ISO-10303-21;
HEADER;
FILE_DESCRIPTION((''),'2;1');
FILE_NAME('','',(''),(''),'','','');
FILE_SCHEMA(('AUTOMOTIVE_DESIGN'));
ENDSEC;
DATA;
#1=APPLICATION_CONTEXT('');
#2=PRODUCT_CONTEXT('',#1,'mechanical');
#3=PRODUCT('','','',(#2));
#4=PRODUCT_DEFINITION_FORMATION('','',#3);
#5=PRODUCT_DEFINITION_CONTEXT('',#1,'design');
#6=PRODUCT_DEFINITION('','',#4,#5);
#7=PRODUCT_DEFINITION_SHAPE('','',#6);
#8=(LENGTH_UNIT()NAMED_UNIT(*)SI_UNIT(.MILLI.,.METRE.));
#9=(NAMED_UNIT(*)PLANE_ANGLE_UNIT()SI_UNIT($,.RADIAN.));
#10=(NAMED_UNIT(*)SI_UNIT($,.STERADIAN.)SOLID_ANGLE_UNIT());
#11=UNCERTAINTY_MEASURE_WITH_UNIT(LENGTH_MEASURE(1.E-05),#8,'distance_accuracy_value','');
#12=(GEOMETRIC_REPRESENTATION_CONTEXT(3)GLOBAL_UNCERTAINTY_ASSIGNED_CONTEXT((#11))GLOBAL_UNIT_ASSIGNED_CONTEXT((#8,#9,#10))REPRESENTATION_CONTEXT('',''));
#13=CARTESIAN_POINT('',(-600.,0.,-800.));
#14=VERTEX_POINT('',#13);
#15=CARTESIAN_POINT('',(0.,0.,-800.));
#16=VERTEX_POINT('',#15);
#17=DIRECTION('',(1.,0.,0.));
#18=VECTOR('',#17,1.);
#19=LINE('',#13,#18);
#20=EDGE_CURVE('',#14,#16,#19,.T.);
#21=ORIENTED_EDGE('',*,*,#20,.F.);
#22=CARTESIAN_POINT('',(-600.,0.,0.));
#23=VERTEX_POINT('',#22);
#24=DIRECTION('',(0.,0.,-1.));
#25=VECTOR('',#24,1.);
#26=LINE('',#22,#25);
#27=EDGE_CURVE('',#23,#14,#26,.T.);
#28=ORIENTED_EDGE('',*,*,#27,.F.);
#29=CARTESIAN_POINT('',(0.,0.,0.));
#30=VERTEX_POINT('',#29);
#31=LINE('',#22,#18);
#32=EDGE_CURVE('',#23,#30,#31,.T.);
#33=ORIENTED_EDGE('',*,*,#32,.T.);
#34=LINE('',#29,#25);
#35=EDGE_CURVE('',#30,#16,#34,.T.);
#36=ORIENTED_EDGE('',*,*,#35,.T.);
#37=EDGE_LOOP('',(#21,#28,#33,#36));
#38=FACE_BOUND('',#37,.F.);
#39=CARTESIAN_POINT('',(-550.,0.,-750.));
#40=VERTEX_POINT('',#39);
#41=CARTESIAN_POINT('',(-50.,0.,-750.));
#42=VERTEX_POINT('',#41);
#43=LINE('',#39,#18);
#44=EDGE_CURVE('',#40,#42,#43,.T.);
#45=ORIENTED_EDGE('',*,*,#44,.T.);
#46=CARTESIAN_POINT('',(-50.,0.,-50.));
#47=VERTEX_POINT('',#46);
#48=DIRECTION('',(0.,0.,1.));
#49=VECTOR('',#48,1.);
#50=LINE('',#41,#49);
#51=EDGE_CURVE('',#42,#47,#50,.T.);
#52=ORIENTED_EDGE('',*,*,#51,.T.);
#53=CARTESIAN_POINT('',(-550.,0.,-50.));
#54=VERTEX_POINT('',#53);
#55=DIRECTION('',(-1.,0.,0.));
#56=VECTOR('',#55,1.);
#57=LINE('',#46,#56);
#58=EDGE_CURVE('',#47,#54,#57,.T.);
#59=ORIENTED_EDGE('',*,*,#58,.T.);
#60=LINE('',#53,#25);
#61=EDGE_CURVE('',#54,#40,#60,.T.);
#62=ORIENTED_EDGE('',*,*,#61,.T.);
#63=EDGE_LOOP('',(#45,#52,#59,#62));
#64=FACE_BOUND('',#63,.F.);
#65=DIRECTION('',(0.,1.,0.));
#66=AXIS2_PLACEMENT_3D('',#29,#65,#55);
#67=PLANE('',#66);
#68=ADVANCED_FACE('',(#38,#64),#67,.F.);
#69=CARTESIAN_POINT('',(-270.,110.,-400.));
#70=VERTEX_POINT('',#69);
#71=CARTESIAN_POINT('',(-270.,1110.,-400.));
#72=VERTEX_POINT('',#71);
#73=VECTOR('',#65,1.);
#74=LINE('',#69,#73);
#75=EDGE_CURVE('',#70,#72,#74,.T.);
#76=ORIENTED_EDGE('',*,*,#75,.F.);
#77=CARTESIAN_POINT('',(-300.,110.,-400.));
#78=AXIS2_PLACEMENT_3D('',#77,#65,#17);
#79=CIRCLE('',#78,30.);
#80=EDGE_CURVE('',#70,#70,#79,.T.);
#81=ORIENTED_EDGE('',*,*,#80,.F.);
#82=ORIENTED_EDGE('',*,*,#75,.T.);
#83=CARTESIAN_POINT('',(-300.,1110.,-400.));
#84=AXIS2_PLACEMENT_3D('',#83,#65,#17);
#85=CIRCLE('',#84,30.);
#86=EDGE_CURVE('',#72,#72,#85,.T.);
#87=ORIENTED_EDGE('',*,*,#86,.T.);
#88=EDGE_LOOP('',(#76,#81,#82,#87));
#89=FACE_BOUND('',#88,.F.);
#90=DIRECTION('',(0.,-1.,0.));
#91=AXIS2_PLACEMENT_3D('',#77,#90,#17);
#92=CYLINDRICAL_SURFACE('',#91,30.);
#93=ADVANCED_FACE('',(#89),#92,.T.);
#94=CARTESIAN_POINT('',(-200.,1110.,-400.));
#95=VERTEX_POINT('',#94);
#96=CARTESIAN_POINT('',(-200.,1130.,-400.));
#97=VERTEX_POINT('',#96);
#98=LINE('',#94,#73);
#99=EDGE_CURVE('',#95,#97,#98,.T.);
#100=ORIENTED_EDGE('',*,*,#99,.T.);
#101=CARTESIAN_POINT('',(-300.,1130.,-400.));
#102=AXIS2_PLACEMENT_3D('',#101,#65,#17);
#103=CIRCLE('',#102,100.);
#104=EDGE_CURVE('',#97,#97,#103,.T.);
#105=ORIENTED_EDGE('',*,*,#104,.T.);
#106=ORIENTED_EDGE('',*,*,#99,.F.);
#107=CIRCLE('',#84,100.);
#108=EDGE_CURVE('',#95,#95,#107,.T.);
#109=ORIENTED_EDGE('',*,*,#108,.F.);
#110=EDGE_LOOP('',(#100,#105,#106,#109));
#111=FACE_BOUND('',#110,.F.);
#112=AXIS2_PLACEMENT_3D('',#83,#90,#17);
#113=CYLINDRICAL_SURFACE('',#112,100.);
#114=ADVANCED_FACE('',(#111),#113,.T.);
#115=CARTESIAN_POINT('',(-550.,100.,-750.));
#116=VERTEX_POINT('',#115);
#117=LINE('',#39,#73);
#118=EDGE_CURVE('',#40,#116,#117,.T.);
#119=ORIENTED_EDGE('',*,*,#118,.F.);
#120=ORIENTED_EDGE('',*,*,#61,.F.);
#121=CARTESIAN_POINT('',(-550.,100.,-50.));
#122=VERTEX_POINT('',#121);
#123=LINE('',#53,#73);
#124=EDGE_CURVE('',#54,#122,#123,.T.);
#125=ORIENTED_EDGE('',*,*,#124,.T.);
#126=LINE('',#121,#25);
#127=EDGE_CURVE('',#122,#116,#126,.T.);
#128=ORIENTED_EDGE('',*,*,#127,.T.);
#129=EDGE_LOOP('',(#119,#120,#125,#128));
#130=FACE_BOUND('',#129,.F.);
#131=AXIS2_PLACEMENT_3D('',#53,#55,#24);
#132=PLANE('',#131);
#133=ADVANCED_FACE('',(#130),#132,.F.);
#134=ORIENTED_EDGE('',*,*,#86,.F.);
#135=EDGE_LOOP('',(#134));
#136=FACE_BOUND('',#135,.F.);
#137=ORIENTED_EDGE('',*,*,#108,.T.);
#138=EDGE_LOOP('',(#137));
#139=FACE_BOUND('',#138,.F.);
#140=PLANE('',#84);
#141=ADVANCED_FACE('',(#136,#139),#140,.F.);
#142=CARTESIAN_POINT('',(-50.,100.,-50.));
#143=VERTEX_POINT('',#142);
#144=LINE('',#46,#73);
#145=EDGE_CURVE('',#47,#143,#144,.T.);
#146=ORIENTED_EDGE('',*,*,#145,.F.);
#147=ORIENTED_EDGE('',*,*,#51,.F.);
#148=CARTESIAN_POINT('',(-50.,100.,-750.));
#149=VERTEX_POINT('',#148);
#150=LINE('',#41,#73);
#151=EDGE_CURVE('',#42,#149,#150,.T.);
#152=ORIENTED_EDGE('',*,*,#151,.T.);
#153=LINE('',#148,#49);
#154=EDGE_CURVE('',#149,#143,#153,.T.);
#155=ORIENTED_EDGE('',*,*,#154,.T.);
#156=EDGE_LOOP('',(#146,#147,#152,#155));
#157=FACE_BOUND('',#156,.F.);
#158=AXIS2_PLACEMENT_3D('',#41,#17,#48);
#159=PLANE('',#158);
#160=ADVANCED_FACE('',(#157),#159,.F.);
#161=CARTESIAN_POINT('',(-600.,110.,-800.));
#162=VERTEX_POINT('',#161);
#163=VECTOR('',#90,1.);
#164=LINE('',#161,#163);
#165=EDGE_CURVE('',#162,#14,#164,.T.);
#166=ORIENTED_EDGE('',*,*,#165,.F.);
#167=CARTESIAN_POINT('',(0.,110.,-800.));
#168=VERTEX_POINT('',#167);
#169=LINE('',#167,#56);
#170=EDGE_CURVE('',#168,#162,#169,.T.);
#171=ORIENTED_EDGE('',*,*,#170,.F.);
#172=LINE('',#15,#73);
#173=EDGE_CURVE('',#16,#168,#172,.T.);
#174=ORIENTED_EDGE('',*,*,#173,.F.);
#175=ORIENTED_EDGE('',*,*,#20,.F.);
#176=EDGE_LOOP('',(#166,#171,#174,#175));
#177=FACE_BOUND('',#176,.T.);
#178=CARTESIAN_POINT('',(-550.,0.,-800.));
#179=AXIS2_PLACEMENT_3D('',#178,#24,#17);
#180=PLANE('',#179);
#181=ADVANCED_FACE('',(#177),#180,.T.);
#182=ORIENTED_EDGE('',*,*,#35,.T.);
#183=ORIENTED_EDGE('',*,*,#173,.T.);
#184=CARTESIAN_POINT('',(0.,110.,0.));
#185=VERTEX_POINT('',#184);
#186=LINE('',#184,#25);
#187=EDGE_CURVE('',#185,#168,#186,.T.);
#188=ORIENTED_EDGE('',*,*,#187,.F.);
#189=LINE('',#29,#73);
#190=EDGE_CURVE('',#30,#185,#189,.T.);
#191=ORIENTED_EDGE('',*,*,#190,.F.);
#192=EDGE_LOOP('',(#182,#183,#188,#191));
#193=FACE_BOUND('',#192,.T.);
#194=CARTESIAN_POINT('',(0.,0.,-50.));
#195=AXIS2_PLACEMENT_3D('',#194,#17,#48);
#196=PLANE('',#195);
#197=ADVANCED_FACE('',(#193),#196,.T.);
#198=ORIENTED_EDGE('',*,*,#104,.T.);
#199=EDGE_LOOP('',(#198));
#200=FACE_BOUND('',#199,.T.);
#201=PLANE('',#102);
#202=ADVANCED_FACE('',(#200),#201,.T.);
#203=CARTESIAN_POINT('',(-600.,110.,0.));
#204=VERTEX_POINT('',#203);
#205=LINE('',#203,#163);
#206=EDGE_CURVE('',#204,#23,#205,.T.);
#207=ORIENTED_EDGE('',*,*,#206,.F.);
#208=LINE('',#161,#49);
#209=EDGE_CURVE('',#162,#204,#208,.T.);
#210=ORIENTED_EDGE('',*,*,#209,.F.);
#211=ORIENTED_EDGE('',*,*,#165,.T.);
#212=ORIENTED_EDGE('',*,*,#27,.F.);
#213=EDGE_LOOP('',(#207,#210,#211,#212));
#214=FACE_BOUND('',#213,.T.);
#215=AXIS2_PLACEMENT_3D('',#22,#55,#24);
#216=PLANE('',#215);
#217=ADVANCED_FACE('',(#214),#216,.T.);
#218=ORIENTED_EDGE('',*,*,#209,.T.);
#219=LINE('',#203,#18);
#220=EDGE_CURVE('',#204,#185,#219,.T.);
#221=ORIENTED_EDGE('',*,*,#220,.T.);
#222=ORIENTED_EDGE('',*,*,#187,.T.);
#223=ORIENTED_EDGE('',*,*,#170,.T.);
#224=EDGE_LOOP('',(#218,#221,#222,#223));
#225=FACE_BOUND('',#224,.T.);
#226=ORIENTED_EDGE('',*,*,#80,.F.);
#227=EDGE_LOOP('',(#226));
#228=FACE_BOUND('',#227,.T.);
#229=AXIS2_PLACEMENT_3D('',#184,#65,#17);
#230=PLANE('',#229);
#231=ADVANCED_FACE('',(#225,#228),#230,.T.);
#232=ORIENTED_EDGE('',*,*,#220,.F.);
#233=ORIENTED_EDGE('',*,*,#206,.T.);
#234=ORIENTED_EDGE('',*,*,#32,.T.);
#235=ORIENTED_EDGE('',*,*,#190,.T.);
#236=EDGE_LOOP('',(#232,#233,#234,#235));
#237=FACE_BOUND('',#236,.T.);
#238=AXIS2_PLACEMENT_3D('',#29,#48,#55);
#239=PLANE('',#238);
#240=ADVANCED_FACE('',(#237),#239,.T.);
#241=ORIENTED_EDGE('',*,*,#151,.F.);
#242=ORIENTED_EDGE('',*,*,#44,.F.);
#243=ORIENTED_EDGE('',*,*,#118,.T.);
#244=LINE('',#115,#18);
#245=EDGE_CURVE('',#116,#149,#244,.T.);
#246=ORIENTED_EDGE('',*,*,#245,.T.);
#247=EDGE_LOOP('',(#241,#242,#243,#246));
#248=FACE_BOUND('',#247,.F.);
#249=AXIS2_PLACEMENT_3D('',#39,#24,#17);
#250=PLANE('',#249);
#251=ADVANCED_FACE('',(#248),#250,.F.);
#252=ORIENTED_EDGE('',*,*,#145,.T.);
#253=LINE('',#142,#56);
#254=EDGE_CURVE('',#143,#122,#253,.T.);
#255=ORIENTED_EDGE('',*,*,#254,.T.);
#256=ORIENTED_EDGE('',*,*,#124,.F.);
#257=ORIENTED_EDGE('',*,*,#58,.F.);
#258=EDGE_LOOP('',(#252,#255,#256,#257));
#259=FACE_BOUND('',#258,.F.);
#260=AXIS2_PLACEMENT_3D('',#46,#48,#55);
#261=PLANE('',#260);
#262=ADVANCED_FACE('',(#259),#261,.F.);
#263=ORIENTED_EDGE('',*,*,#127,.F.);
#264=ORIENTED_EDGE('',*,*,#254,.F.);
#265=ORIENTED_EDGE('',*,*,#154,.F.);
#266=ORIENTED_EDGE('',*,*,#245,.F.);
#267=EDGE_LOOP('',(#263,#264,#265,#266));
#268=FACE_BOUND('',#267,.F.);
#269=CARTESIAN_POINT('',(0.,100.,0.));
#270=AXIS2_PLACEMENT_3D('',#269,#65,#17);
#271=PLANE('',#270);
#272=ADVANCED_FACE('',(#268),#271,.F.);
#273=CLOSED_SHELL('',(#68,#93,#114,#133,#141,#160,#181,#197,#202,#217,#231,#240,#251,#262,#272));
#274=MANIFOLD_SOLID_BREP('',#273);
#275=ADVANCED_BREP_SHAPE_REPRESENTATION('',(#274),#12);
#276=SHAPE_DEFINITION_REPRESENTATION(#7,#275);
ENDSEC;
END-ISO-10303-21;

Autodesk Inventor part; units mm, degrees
ref_plane "YZ Plane" through (0, 0, 0) normal (1, 0, 0) x (0, 1, 0)
ref_plane "XZ Plane" through (0, 0, 0) normal (0, 1, 0) x (-1, 0, 0)
ref_plane "XY Plane" through (0, 0, 0) normal (0, 0, 1) x (1, 0, 0)
sketch "Sketch1" plane through (0, 0, 0) normal (0, 1, 0) x (-1, 0, 0)
  line L0 (0, 0) -> (600, 0)
  line L1 (600, 0) -> (600, -800)
  line L2 (600, -800) -> (0, -800)
  line L3 (0, -800) -> (0, 0)
  line L4 (0, 0) -> (50, 0)
  line L5 (50, 0) -> (50, -50)
  line L6 (50, -50) -> (0, -50)
  line L7 (0, -50) -> (0, 0)
  line L8 (600, -800) -> (550, -800)
  line L9 (550, -800) -> (550, -750)
  line L10 (550, -750) -> (600, -750)
  line L11 (600, -750) -> (600, -800)
  line L12 (50, -50) -> (550, -50)
  line L13 (550, -50) -> (550, -750)
  line L14 (550, -750) -> (50, -750)
  line L15 (50, -750) -> (50, -50)
  dimension "d0" = 800
  dimension "d1" = 600
  dimension "d2" = 50
  dimension "d3" = 50
  dimension "d4" = 50
  dimension "d5" = 50
extrude "Extrusion1" add sketch "Sketch1" along normal blind 100 contours L0 L5 L6 L3 | L0 L1 L10 L13 L12 L5 | L6 L15 L14 L9 L2 L3 | L1 L2 L9 L10
sketch "Sketch2" plane through (0, 100, 0) normal (0, 1, 0) x (1, 0, 0)
  line L0 (-600, 800) -> (-600, 0) projected
  line L1 (0, 0) -> (0, 800) projected
  line L2 (-600, 0) -> (0, 0)
  line L3 (0, 0) -> (0, 800)
  line L4 (0, 800) -> (-600, 800)
  line L5 (-600, 800) -> (-600, 0)
  circle A0 centre (-300, 400) radius 25
  dimension "d8" = 50
extrude "Extrusion2" add sketch "Sketch2" along normal blind 10 contours L4 L1 L2 L0 | A0
sketch "Sketch3" plane through (0, 110, 0) normal (0, 1, 0) x (1, 0, 0)
  line L0 (0, 0) -> (0, 800) projected
  line L1 (0, 800) -> (-600, 800) projected
  line L2 (-600, 800) -> (-600, 0) projected
  line L3 (-600, 0) -> (0, 0) projected
  circle A0 centre (-300, 400) radius 30
  dimension "d11" = 60
extrude "Extrusion3" add sketch "Sketch3" along normal blind 1000 contours A0
sketch "Sketch4" plane through (-300, 1110, -400) normal (0, 1, 0) x (1, 0, 0)
  circle A0 centre (0, 0) radius 30 projected
  circle A1 centre (0, 0) radius 100
  point P0 (300, -400)
  dimension "d14" = 200
extrude "Extrusion4" add sketch "Sketch4" along normal blind 20 contours A0 | A1
properties part number "Corte"
